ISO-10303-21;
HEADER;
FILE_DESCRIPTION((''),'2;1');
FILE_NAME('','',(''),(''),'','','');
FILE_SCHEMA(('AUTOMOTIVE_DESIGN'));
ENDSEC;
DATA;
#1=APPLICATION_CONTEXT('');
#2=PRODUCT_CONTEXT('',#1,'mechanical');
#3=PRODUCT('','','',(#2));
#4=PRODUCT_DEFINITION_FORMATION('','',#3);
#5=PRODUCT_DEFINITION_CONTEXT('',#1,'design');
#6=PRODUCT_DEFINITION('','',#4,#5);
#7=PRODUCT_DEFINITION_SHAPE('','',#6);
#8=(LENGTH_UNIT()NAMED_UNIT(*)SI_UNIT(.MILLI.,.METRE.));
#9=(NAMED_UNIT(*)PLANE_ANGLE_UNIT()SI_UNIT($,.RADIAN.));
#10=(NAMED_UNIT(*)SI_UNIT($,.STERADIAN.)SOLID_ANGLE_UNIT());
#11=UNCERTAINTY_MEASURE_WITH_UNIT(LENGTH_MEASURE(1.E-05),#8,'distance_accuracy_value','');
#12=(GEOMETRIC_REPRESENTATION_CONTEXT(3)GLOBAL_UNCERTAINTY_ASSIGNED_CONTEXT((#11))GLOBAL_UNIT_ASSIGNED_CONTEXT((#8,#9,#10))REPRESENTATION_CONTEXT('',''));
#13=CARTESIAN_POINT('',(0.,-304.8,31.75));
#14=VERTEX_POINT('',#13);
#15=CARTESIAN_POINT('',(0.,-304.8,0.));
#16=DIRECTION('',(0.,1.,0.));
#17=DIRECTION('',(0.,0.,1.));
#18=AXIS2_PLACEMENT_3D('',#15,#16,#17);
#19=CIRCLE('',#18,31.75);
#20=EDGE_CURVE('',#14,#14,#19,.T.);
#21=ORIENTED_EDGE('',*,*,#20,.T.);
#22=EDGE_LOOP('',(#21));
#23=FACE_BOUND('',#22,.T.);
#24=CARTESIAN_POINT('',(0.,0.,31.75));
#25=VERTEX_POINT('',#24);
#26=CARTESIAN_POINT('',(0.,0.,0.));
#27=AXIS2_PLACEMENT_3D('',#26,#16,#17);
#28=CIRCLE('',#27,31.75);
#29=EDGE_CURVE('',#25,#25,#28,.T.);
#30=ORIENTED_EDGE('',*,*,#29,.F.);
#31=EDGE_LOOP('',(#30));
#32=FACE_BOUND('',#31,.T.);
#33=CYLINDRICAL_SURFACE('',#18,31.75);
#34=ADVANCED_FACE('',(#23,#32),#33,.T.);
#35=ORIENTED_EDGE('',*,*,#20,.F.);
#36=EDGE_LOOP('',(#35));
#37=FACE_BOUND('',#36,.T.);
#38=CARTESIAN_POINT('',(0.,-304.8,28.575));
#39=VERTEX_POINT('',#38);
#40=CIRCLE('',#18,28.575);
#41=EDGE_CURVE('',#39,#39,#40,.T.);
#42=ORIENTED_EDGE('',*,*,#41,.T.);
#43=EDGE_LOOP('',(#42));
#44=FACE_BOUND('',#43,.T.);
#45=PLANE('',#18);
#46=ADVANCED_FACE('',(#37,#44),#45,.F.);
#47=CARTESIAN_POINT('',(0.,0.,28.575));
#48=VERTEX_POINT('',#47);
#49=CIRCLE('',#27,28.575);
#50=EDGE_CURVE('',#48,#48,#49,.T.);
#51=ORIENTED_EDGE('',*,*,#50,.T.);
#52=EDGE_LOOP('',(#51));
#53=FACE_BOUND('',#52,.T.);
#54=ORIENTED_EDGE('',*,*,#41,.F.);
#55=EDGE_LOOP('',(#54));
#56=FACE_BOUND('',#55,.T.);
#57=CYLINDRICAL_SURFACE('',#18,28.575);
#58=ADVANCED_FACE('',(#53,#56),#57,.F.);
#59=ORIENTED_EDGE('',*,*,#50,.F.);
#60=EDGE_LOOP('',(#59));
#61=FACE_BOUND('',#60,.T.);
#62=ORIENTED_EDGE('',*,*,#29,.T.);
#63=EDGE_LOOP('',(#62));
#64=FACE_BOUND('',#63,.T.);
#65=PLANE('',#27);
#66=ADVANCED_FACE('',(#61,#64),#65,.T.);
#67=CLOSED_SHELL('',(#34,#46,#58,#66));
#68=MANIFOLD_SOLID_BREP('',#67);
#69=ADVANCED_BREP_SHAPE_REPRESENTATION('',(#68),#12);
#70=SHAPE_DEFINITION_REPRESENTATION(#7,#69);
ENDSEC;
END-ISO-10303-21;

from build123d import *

# Parameters (mm, degrees)
SKETCH1_R           = 31.75
BOSS_EXTRUDE1_DEPTH = 304.8
SKETCH2_R           = 28.575
CUT_EXTRUDE1_DEPTH  = 305.8


with BuildPart() as part:
    # Sketch1 → Boss-Extrude1 (new body)
    with BuildSketch(Plane(origin=(0, 0, 0), x_dir=(1, 0, 0), z_dir=(0, 1, 0))):
        Circle(SKETCH1_R)
    extrude(amount=-BOSS_EXTRUDE1_DEPTH)

    # Sketch2 → Cut-Extrude1 (cut, through all)
    with BuildSketch(Plane(origin=(0, 0, 0), x_dir=(1, 0, 0), z_dir=(0, 1, 0))):
        Circle(SKETCH2_R)
    extrude(amount=-CUT_EXTRUDE1_DEPTH, mode=Mode.SUBTRACT)


solid = part.part
